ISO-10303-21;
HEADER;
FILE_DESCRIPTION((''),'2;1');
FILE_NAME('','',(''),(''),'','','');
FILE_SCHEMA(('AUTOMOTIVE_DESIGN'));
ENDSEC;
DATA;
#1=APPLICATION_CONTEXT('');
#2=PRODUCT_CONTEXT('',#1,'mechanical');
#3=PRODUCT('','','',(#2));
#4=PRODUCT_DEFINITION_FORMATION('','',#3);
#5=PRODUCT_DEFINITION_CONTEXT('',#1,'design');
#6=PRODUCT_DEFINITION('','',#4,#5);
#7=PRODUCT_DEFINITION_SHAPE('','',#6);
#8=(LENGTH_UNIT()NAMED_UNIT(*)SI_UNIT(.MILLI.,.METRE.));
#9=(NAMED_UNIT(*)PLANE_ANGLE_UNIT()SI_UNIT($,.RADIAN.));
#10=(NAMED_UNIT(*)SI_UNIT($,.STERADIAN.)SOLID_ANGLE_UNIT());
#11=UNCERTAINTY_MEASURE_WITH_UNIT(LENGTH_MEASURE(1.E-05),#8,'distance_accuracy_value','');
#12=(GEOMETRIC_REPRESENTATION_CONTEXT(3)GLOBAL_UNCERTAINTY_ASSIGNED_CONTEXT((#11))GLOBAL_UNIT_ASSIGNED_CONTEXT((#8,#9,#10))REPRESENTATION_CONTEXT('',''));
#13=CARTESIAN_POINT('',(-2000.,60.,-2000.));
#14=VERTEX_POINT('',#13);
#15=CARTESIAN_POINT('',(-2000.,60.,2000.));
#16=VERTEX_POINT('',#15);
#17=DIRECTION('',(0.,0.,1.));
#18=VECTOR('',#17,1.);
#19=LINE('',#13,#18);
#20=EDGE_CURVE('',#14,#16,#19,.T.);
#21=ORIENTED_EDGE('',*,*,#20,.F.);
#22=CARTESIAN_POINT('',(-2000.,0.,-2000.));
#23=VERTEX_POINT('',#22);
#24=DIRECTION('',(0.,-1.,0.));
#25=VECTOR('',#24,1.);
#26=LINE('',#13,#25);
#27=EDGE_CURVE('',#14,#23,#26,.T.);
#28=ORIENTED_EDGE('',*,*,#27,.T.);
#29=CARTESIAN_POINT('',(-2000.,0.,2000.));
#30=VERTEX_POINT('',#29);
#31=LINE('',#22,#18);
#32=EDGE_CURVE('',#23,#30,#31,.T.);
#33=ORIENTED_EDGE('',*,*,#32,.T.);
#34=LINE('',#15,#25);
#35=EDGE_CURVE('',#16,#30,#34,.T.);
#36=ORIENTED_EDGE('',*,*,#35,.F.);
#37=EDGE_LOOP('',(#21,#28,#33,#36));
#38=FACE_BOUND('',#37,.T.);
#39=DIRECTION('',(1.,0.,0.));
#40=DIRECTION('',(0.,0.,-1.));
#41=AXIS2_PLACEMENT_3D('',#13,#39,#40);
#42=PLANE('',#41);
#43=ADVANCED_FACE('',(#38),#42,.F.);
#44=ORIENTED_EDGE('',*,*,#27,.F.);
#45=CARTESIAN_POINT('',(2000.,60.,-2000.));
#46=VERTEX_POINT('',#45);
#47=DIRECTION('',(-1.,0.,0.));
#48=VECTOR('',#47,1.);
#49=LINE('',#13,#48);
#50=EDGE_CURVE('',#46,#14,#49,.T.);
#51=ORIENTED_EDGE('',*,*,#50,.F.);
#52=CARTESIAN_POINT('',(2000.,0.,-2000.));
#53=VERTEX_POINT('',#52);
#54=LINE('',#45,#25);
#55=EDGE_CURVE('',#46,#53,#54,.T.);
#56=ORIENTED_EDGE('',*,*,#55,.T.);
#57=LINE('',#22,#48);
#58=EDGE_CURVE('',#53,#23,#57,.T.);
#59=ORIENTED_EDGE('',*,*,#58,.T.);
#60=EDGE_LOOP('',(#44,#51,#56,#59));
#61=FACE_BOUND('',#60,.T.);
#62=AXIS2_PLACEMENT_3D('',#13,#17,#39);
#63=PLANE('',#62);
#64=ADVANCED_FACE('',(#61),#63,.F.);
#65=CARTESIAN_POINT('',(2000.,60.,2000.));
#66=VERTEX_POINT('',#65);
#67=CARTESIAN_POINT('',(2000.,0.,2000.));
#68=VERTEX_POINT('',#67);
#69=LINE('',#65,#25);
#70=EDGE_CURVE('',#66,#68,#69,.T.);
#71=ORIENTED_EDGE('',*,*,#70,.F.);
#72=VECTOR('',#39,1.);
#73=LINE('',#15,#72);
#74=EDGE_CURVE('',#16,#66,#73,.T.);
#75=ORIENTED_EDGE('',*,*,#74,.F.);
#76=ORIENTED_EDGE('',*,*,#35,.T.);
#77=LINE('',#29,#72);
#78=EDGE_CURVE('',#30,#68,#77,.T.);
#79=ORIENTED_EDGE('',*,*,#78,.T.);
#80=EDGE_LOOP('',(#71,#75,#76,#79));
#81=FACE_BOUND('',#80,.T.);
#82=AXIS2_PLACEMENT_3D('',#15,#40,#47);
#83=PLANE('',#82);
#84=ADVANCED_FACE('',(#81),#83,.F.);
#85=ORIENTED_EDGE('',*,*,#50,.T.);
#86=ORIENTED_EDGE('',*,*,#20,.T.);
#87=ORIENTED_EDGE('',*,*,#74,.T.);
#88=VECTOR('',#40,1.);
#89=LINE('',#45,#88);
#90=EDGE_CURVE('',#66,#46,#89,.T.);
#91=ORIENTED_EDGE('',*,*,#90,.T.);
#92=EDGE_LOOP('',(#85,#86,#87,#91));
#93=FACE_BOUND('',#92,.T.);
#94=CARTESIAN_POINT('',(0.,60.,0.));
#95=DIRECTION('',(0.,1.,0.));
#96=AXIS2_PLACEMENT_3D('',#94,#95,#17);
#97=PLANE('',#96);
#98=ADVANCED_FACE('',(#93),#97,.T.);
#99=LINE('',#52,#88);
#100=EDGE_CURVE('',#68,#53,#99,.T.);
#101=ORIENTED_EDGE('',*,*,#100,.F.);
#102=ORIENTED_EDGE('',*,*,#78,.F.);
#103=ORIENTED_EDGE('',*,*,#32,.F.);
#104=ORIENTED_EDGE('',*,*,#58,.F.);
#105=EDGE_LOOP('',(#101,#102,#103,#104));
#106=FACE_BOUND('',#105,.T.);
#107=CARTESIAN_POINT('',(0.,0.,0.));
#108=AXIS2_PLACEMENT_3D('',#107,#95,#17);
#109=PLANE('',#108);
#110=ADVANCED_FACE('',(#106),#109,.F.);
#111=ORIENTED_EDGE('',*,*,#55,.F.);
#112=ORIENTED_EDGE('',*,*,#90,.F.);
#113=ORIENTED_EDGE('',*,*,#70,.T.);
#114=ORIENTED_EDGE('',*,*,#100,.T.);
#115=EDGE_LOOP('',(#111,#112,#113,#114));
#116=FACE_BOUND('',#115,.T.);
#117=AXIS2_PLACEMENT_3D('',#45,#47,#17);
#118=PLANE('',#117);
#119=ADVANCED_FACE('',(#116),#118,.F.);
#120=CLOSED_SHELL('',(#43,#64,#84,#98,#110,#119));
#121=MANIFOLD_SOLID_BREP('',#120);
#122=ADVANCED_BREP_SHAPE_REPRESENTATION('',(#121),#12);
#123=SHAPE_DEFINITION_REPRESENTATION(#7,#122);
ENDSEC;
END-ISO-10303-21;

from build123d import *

# Parameters (mm, degrees)
ESBO_O1_W                = 4000
ESBO_O1_H                = 4000
RESSALTO_EXTRUS_O1_DEPTH = 60


with BuildPart() as part:
    # Esboço1 → Ressalto-extrusão1 (new body)
    with BuildSketch(Plane(origin=(0, 0, 0), x_dir=(1, 0, 0), z_dir=(0, 1, 0))):
        Rectangle(ESBO_O1_W, ESBO_O1_H)
    extrude(amount=RESSALTO_EXTRUS_O1_DEPTH)


solid = part.part
